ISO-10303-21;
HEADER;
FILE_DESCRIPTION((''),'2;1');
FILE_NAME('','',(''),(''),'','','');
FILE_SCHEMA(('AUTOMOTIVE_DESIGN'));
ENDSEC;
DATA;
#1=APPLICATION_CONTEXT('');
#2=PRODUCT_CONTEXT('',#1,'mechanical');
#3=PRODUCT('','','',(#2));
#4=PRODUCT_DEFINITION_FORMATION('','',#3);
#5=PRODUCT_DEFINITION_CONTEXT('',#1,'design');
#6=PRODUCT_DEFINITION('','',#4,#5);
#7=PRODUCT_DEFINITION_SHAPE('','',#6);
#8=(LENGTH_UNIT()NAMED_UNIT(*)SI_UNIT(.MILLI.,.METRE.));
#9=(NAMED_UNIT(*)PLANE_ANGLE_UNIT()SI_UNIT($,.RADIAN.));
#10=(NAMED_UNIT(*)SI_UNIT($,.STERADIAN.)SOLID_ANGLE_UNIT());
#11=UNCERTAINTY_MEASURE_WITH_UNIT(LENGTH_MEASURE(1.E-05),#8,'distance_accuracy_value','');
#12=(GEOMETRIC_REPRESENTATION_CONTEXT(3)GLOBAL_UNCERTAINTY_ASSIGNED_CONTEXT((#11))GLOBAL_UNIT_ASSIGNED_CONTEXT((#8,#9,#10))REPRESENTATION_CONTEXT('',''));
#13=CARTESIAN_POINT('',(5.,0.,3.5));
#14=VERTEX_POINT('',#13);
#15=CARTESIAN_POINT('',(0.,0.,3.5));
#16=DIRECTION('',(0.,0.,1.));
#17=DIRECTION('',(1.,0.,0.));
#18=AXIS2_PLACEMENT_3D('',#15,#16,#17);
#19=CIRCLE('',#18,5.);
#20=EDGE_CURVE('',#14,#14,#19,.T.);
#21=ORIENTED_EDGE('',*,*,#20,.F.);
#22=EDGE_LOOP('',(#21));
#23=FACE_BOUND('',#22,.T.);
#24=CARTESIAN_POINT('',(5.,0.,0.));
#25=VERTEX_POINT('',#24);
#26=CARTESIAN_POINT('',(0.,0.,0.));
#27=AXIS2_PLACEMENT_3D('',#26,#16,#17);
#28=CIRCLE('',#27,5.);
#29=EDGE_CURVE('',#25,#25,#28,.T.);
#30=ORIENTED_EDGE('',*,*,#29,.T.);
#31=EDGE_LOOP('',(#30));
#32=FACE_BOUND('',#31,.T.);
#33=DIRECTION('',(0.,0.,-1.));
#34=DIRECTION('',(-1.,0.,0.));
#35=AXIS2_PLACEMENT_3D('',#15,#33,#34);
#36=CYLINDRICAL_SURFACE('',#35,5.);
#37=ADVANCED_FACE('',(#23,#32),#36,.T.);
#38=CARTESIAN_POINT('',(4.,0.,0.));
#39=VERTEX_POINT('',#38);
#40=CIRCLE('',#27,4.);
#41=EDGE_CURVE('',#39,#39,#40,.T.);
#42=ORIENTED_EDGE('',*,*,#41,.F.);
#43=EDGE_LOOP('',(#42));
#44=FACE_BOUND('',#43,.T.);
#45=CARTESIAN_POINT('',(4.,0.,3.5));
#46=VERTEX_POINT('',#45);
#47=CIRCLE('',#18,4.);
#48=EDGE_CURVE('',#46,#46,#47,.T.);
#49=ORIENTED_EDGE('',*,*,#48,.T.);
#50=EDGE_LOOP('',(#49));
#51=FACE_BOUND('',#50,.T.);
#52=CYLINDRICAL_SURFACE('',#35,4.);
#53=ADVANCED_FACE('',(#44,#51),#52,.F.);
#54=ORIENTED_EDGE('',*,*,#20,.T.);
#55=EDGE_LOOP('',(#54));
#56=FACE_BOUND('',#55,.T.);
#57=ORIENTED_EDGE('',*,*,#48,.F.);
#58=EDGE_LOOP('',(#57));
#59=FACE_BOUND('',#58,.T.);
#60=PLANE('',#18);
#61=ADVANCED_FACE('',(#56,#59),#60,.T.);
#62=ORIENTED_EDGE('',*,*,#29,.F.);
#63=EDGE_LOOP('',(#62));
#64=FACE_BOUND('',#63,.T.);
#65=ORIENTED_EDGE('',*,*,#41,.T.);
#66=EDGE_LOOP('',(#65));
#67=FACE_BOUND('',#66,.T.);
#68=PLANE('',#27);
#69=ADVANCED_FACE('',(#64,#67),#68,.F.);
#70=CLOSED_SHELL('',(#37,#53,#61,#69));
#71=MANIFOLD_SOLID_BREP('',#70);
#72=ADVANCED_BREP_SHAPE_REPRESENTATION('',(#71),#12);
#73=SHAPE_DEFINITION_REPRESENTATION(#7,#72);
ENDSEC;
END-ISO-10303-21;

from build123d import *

# Parameters (mm, degrees)
SKETCH_2_R      = 5
SKETCH_2_R_2    = 4
EXTRUDE_1_DEPTH = 3.5


with BuildPart() as part:
    # 草图2 → 凸台-拉伸1 (new body)
    with BuildSketch(Plane.XY):
        Circle(SKETCH_2_R)
        Circle(SKETCH_2_R_2, mode=Mode.SUBTRACT)
    extrude(amount=EXTRUDE_1_DEPTH)


solid = part.part
